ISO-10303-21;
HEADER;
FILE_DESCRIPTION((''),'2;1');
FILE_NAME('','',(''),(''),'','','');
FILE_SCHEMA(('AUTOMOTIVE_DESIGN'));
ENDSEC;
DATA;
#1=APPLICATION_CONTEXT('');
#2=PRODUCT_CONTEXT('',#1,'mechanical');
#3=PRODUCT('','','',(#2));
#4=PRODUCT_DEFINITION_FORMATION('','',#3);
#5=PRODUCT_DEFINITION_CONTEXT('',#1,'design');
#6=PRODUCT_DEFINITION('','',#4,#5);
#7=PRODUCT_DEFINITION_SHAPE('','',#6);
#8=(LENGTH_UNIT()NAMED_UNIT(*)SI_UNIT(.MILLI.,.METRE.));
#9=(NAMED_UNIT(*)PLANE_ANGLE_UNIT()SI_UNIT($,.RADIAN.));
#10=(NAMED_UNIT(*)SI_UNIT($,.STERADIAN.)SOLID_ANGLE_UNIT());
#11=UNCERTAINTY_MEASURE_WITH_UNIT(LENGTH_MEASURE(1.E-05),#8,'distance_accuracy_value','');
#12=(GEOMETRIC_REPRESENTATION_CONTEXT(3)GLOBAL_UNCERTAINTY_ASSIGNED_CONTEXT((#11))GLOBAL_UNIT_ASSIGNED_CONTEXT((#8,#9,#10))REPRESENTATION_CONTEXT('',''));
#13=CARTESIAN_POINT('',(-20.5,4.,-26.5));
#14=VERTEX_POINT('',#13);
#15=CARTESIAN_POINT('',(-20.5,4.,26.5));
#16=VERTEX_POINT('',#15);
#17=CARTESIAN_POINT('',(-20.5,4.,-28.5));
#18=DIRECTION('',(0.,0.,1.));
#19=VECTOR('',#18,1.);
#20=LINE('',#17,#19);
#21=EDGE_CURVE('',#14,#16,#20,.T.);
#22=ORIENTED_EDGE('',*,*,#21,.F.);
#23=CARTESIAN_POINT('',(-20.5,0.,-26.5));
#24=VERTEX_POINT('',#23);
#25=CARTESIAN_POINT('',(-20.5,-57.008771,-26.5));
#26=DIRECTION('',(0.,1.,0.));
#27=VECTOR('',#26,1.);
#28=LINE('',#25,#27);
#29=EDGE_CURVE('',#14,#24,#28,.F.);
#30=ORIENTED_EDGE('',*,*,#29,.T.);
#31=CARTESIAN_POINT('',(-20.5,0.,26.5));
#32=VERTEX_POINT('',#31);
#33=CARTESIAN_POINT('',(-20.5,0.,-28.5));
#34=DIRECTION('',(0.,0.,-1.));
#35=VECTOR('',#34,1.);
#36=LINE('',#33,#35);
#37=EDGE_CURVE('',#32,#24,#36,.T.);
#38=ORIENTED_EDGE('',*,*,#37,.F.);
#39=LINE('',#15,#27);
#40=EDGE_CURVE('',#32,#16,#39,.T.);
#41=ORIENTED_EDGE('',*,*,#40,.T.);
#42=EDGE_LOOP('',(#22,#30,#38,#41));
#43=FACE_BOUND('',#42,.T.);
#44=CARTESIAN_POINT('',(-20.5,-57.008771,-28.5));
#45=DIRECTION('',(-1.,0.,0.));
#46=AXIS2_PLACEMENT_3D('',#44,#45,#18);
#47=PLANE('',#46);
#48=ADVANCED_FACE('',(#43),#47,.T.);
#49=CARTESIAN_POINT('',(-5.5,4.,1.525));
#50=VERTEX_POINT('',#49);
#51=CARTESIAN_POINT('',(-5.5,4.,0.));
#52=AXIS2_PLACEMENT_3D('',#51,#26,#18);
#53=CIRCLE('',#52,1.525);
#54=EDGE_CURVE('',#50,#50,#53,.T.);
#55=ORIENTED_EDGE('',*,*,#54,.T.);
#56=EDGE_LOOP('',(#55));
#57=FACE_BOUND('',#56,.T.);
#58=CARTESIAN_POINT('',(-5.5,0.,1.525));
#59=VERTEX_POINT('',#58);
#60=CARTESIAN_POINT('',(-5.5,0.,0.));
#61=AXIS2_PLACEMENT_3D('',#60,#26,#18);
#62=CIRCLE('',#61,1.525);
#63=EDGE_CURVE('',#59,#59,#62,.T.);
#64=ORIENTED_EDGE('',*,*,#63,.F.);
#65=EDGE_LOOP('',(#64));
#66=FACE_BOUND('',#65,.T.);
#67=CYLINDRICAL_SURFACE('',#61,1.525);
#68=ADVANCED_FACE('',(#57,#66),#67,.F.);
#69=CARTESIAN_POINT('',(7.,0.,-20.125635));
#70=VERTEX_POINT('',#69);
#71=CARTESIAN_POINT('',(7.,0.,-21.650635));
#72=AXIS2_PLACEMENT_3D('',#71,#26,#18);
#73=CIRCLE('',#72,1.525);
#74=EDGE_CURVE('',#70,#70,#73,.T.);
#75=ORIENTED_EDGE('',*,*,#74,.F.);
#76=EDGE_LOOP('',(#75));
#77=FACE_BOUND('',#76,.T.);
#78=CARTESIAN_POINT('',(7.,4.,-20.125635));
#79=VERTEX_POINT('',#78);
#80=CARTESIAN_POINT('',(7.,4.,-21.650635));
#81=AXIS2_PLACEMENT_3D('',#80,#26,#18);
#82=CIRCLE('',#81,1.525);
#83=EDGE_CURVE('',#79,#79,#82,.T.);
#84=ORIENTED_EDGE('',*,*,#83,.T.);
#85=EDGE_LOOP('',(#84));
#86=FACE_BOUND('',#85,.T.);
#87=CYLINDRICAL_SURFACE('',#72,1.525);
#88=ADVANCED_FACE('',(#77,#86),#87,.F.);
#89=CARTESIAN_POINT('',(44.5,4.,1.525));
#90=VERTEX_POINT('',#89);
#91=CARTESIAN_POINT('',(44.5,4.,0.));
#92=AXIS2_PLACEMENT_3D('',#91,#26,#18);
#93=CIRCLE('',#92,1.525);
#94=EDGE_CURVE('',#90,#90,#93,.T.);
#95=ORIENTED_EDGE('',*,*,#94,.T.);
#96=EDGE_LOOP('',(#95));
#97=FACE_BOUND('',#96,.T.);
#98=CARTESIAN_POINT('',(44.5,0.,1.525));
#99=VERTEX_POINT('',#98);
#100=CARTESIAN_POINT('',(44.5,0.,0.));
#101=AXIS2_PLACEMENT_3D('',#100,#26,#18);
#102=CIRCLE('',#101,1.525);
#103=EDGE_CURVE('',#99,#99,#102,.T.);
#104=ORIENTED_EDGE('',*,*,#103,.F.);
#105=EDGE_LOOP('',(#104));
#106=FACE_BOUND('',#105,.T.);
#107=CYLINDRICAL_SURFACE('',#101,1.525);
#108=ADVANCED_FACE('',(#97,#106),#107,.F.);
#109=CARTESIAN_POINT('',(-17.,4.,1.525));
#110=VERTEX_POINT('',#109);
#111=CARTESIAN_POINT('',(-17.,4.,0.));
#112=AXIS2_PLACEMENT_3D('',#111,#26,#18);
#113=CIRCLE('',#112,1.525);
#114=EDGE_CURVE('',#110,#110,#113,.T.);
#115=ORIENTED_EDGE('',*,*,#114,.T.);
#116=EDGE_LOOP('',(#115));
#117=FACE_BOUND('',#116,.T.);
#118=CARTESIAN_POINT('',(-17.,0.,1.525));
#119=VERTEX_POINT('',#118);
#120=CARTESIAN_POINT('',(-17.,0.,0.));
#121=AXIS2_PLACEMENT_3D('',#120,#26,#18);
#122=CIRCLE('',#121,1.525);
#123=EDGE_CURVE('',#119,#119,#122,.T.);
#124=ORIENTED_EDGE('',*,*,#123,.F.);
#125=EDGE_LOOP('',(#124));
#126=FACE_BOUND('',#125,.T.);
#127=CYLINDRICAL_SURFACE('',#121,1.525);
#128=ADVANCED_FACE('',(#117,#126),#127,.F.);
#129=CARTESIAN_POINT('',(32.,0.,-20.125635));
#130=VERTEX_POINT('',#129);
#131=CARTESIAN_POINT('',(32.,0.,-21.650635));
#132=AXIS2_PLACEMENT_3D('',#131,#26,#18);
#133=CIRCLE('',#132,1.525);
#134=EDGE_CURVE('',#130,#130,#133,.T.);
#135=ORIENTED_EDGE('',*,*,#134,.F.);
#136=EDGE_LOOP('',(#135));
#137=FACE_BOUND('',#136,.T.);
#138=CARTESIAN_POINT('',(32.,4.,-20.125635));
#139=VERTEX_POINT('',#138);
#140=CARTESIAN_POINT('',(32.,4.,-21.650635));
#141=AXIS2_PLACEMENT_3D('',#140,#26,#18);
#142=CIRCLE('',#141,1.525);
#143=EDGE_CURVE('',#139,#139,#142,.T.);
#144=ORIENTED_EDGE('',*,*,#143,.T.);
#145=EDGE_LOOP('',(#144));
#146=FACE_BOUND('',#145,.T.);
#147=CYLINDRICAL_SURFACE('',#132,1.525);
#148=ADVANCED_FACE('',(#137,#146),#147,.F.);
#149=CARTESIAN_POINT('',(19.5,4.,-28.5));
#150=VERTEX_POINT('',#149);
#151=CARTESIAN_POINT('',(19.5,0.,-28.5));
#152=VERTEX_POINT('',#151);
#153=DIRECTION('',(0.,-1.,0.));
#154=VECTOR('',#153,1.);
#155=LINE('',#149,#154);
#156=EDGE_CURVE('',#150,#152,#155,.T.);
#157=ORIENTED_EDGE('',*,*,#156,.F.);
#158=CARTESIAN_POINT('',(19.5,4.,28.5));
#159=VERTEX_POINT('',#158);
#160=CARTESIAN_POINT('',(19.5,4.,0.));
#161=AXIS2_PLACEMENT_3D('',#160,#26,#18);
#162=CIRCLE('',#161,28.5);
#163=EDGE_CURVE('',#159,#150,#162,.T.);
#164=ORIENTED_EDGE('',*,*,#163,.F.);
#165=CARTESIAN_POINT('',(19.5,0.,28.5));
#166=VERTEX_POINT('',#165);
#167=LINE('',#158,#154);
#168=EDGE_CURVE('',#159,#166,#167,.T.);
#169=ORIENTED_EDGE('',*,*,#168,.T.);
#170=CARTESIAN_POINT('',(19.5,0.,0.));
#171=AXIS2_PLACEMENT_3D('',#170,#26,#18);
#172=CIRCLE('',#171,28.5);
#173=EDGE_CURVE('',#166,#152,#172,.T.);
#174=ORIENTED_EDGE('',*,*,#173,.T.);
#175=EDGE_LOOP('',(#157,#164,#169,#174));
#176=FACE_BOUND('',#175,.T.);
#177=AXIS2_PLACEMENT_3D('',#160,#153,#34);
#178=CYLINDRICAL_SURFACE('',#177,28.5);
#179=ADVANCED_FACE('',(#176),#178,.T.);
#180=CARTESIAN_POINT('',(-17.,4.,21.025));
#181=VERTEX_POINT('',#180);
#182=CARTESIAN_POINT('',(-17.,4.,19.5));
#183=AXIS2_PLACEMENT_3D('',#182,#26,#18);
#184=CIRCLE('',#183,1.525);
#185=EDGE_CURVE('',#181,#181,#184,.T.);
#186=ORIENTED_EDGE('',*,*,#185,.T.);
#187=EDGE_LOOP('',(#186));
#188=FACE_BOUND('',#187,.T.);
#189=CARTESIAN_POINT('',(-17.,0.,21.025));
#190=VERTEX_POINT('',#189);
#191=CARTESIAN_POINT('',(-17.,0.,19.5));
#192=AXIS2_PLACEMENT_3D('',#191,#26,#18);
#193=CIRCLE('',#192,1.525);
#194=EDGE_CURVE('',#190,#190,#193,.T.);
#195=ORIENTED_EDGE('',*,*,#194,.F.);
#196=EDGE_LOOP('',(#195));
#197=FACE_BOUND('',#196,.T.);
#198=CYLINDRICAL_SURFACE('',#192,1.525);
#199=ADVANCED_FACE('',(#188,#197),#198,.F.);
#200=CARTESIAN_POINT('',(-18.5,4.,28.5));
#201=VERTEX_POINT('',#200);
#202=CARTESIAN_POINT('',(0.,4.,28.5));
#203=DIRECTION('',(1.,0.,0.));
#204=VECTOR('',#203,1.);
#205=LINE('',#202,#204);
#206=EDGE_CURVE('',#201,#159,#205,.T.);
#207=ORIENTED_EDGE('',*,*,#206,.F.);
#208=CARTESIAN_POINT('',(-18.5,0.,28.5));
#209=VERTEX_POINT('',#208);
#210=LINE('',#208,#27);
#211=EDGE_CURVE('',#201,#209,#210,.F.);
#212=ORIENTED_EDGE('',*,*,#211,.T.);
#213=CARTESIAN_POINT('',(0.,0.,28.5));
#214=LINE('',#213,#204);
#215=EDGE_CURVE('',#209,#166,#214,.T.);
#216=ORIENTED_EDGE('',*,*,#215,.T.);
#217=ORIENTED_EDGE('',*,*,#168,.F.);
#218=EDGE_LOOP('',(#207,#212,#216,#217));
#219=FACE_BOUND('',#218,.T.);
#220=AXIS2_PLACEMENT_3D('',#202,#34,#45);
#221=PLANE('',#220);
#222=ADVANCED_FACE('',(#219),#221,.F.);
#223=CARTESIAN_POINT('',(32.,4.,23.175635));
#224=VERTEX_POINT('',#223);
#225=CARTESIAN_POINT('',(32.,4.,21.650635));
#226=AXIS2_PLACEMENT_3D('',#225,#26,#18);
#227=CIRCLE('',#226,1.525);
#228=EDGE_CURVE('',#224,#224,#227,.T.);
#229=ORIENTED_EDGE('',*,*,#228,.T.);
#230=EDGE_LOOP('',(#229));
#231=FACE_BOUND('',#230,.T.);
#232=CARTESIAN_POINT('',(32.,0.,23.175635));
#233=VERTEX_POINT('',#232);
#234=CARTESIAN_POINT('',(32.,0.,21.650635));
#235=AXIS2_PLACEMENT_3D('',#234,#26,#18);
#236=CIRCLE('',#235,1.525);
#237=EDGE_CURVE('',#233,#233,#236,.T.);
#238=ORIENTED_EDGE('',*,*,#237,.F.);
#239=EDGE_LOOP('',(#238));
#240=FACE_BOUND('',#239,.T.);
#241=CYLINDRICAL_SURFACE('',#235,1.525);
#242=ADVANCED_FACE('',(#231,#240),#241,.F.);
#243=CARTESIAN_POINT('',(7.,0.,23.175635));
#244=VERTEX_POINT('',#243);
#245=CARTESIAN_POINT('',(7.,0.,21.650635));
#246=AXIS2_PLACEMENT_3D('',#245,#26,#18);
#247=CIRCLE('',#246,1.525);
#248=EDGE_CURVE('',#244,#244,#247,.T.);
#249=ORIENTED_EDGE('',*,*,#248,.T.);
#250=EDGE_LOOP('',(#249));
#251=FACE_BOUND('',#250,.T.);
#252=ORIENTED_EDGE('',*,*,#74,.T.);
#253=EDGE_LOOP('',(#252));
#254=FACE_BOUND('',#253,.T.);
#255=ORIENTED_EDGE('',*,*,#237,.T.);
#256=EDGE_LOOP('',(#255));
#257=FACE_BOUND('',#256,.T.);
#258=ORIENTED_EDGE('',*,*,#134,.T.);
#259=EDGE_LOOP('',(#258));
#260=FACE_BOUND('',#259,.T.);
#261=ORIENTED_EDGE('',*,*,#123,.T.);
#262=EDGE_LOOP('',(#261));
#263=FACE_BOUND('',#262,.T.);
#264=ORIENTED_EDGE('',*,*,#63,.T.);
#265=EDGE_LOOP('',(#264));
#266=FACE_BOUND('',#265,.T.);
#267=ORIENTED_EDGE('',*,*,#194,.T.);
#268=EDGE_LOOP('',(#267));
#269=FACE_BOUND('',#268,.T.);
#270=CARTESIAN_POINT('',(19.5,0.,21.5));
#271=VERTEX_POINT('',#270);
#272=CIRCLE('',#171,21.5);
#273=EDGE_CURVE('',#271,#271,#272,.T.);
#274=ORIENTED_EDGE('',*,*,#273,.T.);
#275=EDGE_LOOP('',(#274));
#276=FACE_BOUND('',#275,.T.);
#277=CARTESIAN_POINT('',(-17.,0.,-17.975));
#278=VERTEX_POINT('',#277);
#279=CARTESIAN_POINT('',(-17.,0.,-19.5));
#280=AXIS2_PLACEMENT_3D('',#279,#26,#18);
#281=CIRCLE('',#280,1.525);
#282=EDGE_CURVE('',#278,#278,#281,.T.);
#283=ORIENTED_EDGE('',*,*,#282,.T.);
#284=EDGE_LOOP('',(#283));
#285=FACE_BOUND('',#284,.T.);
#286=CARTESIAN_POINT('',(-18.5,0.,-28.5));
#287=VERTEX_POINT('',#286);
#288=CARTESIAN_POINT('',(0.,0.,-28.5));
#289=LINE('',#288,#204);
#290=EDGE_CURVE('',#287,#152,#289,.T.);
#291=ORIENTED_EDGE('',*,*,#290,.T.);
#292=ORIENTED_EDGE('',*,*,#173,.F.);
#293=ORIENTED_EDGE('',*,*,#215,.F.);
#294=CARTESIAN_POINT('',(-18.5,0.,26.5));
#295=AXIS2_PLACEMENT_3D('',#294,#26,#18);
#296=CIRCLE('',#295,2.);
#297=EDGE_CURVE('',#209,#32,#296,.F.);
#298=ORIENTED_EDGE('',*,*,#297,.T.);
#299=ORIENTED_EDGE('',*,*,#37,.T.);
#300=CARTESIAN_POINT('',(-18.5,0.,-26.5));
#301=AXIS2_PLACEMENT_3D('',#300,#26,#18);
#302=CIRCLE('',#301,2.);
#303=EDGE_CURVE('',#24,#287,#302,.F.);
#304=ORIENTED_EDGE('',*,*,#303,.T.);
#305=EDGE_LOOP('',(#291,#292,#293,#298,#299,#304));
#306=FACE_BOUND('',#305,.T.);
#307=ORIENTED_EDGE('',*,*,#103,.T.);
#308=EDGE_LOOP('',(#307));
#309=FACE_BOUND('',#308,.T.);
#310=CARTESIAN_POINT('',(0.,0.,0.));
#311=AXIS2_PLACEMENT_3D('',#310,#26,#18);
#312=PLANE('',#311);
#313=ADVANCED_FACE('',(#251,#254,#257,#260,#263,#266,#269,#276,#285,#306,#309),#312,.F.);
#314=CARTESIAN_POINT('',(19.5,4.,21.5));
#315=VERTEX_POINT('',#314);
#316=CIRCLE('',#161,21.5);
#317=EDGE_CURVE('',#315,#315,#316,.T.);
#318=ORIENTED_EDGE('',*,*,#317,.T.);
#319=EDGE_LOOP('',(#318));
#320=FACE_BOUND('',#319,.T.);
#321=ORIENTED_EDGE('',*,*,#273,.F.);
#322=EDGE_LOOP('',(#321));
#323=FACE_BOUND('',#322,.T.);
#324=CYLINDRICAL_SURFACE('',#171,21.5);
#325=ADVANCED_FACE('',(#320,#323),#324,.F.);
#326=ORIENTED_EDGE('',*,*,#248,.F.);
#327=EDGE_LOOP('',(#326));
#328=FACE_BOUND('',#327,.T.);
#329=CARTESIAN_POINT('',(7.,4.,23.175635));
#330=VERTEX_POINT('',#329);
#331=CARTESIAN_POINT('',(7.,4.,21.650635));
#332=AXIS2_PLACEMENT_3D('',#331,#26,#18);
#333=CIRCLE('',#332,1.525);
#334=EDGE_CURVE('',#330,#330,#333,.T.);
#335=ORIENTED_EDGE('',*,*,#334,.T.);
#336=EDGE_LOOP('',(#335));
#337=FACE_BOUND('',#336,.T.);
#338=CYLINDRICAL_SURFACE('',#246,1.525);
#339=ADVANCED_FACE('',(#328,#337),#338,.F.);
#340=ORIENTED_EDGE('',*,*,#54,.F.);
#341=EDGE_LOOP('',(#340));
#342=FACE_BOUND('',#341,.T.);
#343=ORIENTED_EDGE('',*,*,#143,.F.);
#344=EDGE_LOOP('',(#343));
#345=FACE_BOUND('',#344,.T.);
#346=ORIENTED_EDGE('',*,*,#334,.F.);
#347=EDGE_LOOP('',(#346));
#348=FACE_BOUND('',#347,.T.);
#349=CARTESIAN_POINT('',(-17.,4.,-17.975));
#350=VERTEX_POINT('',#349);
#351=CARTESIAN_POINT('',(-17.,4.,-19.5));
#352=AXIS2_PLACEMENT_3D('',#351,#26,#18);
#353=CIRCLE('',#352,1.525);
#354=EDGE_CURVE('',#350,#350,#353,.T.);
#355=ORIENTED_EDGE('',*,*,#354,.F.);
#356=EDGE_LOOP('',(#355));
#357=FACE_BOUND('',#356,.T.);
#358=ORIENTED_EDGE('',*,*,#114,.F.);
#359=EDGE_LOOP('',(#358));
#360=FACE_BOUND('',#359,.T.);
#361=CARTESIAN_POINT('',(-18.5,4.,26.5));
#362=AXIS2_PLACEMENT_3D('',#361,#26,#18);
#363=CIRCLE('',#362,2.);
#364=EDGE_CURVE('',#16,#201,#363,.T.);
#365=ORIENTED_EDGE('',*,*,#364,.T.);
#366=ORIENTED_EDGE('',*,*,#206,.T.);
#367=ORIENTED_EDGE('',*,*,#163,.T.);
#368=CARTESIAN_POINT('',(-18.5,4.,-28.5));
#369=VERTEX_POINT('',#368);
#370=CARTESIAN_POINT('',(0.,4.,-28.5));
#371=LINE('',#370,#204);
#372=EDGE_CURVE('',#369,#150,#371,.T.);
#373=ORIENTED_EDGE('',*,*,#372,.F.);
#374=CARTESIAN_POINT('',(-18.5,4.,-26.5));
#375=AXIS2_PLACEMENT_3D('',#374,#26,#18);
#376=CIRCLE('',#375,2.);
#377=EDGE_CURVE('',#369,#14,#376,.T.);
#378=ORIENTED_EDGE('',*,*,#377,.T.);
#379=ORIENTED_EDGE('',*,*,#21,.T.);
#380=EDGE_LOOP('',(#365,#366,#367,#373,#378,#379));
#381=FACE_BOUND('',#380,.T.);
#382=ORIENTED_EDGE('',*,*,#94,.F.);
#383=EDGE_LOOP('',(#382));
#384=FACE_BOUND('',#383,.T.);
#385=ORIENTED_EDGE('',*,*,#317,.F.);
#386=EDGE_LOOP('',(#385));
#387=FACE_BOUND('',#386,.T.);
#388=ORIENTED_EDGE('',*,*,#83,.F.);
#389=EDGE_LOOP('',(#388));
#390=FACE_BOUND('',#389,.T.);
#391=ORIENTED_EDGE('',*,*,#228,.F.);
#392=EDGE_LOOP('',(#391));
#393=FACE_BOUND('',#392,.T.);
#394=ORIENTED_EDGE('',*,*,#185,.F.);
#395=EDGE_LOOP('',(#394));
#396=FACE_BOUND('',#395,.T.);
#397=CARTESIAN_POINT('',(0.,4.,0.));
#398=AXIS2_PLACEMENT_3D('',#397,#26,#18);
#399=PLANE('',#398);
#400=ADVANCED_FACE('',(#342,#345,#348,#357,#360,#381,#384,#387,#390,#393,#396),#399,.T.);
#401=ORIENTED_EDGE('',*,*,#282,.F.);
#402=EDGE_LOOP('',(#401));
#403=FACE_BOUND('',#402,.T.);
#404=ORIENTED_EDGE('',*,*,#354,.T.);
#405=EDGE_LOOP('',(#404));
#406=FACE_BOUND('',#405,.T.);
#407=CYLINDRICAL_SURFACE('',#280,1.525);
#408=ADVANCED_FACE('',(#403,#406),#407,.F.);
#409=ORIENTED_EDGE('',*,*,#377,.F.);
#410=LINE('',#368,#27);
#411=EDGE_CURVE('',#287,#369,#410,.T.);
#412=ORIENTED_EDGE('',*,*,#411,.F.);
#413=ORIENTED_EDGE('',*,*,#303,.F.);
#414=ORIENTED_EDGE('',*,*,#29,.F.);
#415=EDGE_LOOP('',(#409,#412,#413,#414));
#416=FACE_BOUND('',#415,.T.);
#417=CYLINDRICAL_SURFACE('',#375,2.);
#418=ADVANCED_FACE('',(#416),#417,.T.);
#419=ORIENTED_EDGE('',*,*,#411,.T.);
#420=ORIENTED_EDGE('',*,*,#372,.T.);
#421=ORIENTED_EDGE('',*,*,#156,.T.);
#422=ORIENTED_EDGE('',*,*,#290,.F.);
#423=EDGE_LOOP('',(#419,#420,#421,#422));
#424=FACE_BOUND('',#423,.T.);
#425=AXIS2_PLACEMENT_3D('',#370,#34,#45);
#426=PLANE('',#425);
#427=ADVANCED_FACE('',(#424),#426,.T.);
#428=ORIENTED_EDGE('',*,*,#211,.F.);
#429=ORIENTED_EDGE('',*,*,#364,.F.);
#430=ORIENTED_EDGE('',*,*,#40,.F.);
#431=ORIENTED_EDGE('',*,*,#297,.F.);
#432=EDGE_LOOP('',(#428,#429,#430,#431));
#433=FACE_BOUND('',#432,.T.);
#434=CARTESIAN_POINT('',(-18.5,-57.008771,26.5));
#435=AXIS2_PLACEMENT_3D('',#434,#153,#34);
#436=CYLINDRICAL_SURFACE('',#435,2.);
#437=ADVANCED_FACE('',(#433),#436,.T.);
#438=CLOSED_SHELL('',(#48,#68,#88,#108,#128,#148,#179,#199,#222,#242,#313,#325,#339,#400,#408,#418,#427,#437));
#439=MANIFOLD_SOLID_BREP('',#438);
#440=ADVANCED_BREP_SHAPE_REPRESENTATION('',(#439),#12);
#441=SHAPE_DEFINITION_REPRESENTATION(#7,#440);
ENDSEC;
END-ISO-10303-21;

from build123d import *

# Parameters (mm, degrees)
EXTRUDE_1_DEPTH     = 4
SKETCH_2_R          = 21.5
CUT_EXTRUDE_1_DEPTH = 5
SKETCH_4_R          = 1.525
CUT_EXTRUDE_3_DEPTH = 5
SKETCH_5_R          = 1.525
CUT_EXTRUDE_4_DEPTH = 5
SKETCH_6_W          = 1
SKETCH_6_H          = 57
EXTRUDE_2_DEPTH     = 4
FILLET_1_R          = 2


with BuildPart() as part:
    # 草图1 → 凸台-拉伸1 (new body)
    with BuildSketch(Plane(origin=(0, 0, 0), x_dir=(1, 0, 0), z_dir=(0, 1, 0))):
        with BuildLine():
            ThreePointArc((19.5, 28.5), (-9, 0), (19.5, -28.5))
            Line((19.5, -28.5), (19.5, 28.5))
        make_face()
        with BuildLine():
            Line((19.5, 28.5), (19.5, -28.5))
            ThreePointArc((19.5, -28.5), (39.652543264, -20.152543264), (48, 0))
            ThreePointArc((48, 0), (39.652543264, 20.152543264), (19.5, 28.5))
        make_face()
        with BuildLine():
            Line((-19.5, 28.5), (-19.5, -28.5))
            Line((-19.5, -28.5), (19.5, -28.5))
            ThreePointArc((19.5, -28.5), (-9, 0), (19.5, 28.5))
            Line((19.5, 28.5), (-19.5, 28.5))
        make_face()
    extrude(amount=EXTRUDE_1_DEPTH)

    # 草图2 → 切除-拉伸1 (cut, through all)
    with BuildSketch(Plane(origin=(0, 4, 0), x_dir=(1, 0, 0), z_dir=(0, 1, 0))):
        with Locations((19.5, 0)):
            Circle(SKETCH_2_R)
    extrude(amount=-CUT_EXTRUDE_1_DEPTH, mode=Mode.SUBTRACT)

    # 草图4 → 切除-拉伸3 (cut, through all)
    with BuildSketch(Plane(origin=(0, 4, 0), x_dir=(1, 0, 0), z_dir=(0, 1, 0))):
        with Locations((-5.5, 0)):
            Circle(SKETCH_4_R)
        with Locations((7, 21.650635095)):
            Circle(SKETCH_4_R)
        with Locations((32, 21.650635095)):
            Circle(SKETCH_4_R)
        with Locations((44.5, 0)):
            Circle(SKETCH_4_R)
        with Locations((32, -21.650635095)):
            Circle(SKETCH_4_R)
        with Locations((7, -21.650635095)):
            Circle(SKETCH_4_R)
    extrude(amount=-CUT_EXTRUDE_3_DEPTH, mode=Mode.SUBTRACT)

    # 草图5 → 切除-拉伸4 (cut, through all)
    with BuildSketch(Plane(origin=(0, 4, 0), x_dir=(1, 0, 0), z_dir=(0, 1, 0))):
        with Locations((-17, 19.5)):
            Circle(SKETCH_5_R)
        with Locations((-17, 0)):
            Circle(SKETCH_5_R)
        with Locations((-17, -19.5)):
            Circle(SKETCH_5_R)
    extrude(amount=-CUT_EXTRUDE_4_DEPTH, mode=Mode.SUBTRACT)

    # 草图6 → 凸台-拉伸2 (add)
    with BuildSketch(Plane(origin=(0, 4, 0), x_dir=(1, 0, 0), z_dir=(0, 1, 0))):
        with Locations((-20, 0)):
            Rectangle(SKETCH_6_W, SKETCH_6_H)
    extrude(amount=-EXTRUDE_2_DEPTH)

    # 圆角1
    fillet_1_edges = [part.edges().sort_by_distance(p)[0] for p in [
        (-20.5, 2, 28.5),
        (-20.5, 2, -28.5),
    ]]
    fillet(fillet_1_edges, radius=FILLET_1_R)


solid = part.part
